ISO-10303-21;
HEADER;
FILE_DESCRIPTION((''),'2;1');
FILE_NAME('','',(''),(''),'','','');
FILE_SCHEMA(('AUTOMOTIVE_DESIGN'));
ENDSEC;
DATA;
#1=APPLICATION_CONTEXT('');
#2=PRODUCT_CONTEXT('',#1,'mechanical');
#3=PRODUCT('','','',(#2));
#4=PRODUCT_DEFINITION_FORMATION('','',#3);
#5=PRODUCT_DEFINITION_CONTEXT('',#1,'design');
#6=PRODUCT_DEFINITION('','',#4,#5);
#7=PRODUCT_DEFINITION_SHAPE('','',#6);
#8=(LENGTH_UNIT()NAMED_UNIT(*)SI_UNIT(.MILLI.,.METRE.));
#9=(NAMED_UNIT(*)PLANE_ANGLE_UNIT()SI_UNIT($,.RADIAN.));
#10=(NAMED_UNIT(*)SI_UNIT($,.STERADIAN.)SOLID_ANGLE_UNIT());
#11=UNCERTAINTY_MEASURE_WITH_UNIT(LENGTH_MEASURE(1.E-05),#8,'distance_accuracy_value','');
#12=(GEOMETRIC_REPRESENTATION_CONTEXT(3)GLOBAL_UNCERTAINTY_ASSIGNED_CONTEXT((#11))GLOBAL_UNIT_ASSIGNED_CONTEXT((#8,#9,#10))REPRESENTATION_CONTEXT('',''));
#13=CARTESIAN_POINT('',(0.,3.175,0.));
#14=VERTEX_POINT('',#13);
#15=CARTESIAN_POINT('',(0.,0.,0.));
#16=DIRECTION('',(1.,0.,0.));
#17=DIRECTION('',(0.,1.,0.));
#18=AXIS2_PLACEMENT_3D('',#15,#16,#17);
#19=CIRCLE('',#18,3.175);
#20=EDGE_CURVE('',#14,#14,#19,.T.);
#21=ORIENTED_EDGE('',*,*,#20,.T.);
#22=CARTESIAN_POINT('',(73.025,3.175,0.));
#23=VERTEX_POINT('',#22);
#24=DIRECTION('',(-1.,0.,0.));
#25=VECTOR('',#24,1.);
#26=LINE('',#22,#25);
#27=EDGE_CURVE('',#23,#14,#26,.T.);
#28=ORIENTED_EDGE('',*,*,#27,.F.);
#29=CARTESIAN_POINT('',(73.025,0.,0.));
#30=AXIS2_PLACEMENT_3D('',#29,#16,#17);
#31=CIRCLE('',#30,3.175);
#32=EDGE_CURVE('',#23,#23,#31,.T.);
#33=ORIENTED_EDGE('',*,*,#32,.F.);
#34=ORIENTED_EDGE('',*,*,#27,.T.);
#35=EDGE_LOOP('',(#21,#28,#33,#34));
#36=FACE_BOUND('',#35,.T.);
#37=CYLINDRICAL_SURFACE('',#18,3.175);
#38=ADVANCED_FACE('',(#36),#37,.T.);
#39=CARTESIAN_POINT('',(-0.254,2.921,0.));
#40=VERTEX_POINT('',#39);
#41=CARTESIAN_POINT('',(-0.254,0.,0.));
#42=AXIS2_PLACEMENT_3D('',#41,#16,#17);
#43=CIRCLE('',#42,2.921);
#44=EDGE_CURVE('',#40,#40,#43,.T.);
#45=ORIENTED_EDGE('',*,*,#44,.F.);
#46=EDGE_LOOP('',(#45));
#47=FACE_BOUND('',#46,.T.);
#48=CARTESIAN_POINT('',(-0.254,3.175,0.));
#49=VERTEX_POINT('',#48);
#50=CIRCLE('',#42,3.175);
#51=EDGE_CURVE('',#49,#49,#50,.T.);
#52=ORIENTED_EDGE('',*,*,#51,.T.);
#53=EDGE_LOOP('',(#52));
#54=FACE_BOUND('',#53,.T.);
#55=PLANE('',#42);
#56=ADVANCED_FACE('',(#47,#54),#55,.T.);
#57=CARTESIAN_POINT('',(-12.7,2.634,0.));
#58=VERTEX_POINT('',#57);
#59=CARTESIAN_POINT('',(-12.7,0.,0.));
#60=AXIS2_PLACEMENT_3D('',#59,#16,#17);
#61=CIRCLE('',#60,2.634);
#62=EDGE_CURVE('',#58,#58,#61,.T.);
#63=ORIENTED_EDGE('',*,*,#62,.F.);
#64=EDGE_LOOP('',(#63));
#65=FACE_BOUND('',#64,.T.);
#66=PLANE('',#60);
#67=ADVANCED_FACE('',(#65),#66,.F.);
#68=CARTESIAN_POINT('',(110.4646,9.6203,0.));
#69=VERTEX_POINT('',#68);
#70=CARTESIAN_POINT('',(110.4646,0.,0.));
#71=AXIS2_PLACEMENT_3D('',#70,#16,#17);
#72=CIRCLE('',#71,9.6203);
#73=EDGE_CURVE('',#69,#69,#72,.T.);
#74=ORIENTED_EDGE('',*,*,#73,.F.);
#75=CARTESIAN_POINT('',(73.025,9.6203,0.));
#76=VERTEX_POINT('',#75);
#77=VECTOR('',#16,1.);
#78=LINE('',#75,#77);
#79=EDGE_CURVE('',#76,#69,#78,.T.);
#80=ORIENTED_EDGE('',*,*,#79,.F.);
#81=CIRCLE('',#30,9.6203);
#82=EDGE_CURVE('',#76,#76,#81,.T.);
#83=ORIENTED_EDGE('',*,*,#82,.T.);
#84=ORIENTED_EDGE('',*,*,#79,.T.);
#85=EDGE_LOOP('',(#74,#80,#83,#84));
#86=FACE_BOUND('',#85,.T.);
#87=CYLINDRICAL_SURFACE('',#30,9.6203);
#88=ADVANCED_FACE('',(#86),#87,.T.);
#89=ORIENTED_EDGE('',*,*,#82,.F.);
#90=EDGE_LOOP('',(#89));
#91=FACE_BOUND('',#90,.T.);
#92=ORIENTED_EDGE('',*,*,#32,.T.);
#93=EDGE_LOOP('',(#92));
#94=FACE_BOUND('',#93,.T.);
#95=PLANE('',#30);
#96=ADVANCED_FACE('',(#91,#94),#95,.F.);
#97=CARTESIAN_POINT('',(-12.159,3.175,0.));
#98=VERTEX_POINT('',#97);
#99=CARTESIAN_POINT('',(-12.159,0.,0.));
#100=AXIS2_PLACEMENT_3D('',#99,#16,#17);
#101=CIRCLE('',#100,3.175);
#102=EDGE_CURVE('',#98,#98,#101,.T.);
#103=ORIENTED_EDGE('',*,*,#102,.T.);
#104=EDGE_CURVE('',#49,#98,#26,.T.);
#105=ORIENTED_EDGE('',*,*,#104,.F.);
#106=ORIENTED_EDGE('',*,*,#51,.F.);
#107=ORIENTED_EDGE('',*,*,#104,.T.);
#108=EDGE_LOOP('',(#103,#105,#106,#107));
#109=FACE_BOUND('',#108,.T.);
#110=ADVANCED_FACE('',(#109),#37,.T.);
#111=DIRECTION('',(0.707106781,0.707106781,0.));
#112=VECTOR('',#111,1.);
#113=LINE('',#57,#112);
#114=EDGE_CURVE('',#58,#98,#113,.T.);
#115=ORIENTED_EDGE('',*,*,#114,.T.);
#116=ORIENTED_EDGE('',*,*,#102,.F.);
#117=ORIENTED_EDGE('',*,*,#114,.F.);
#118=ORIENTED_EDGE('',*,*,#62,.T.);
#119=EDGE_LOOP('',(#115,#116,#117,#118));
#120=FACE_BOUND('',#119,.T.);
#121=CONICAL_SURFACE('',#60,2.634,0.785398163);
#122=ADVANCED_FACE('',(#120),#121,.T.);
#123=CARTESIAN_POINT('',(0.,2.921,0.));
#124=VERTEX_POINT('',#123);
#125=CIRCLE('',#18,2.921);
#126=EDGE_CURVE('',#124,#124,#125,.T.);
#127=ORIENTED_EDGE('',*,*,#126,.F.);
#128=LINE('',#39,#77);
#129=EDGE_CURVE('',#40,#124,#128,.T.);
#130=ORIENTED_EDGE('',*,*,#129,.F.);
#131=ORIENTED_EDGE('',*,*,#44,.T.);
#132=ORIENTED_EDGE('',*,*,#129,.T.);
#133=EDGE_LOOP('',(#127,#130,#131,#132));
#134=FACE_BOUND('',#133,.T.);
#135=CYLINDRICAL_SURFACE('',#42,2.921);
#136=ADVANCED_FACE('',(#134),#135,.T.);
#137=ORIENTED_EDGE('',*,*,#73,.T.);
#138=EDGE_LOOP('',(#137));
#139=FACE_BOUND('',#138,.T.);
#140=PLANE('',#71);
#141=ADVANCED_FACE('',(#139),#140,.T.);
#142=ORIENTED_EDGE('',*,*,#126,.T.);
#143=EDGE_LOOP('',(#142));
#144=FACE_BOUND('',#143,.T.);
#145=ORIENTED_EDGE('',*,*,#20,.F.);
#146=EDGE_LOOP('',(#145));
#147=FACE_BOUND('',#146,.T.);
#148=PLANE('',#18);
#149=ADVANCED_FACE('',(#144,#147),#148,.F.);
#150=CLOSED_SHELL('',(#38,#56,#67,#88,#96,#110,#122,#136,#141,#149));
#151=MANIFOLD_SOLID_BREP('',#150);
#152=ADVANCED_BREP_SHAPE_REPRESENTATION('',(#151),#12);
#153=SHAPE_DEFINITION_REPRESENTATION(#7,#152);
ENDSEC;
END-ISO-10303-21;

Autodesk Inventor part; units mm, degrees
sketch "Sketch_1" plane through (0, 0, 0) normal (0, 0, 1) x (1, 0, 0)
  line L0 (110.4646, 0) -> (0, 0)
  line L1 (0, 0) -> (0, 3.175)
  line L2 (0, 3.175) -> (73.025, 3.175)
  line L3 (73.025, 3.175) -> (73.025, 9.6203)
  line L4 (73.025, 9.6203) -> (110.4646, 9.6203)
  line L5 (110.4646, 9.6203) -> (110.4646, 0)
  line L6 (110.4646, 0) -> (0, 0)
revolve "Revolution1" add sketch "Sketch_1" angle 360 about axis through (110.4646, 0, 0) along (1, 0, 0)
sketch "Sketch_3" plane through (0, 0, 0) normal (0, 0, 1) x (1, 0, 0)
  line L0 (0, 0) -> (-12.7, 0)
  line L1 (-12.7, 0) -> (-12.7, 2.634)
  line L2 (-12.7, 2.634) -> (-12.159, 3.175)
  line L3 (-12.159, 3.175) -> (0, 3.175)
  line L4 (0, 3.175) -> (0, 0)
  line L5 (0, 0) -> (-12.7, 0)
revolve "Revolution2" add sketch "Sketch_3" angle 360 about axis through (0, 0, 0) along (1, 0, 0)
sketch "Sketch_30" plane through (0, 0, 0) normal (0, 0, 1) x (1, 0, 0)
  line L0 (0, 0) -> (-0.254, 0)
  line L1 (-0.254, 3.429) -> (-0.254, 2.921)
  line L2 (-0.254, 2.921) -> (0, 2.921)
  line L3 (0, 2.921) -> (0, 3.429)
  line L4 (0, 3.429) -> (-0.254, 3.429)
revolve "Revolution3" cut sketch "Sketch_30" angle 360 about axis through (0, 0, 0) along (1, 0, 0)
ref_plane "rod_cp_XY" through (0, 0, 0) normal (1, 0, 0) x (0, 0, -1)
ref_plane "rod_cp_YZ" through (0, 0, 0) normal (0, 0, -1) x (0, 1, 0)
ref_plane "rod_cp_ZX" through (0, 0, 0) normal (0, 1, 0) x (1, 0, 0)
ref_plane "to_rod_clevis_XY" through (-12.7, 0, 0) normal (1, 0, 0) x (0, 0, -1)
ref_plane "to_rod_clevis_YZ" through (-12.7, 0, 0) normal (0, 0, -1) x (0, 1, 0)
ref_plane "to_rod_clevis_ZX" through (-12.7, 0, 0) normal (0, 1, 0) x (1, 0, 0)
ref_plane "rl2_XY" through (0, 0, 0) normal (1, 0, 0) x (0, 0, -1)
ref_plane "rl2_YZ" through (0, 0, 0) normal (0, 0, -1) x (0, 1, 0)
ref_plane "rl2_ZX" through (0, 0, 0) normal (0, 1, 0) x (1, 0, 0)
ref_plane "rl1_XY" through (-12.7, 0, 0) normal (1, 0, 0) x (0, 0, -1)
ref_plane "rl1_YZ" through (-12.7, 0, 0) normal (0, 0, -1) x (0, 1, 0)
ref_plane "rl1_ZX" through (-12.7, 0, 0) normal (0, 1, 0) x (1, 0, 0)
ref_plane "thd1_XY" through (-12.7, 3.175, 0) normal (1, 0, 0) x (0, 0, -1)
ref_plane "thd1_YZ" through (-12.7, 3.175, 0) normal (0, 0, -1) x (0, 1, 0)
ref_plane "thd1_ZX" through (-12.7, 3.175, 0) normal (0, 1, 0) x (1, 0, 0)
ref_plane "thd2_XY" through (-12.7, -3.175, 0) normal (1, 0, 0) x (0, 0, -1)
ref_plane "thd2_YZ" through (-12.7, -3.175, 0) normal (0, 0, -1) x (0, 1, 0)
ref_plane "thd2_ZX" through (-12.7, -3.175, 0) normal (0, 1, 0) x (1, 0, 0)
ref_plane "dia1_XY" through (0, 3.175, 0) normal (1, 0, 0) x (0, 0, -1)
ref_plane "dia1_YZ" through (0, 3.175, 0) normal (0, 0, -1) x (0, 1, 0)
ref_plane "dia1_ZX" through (0, 3.175, 0) normal (0, 1, 0) x (1, 0, 0)
ref_plane "dia2_XY" through (0, -3.175, 0) normal (1, 0, 0) x (0, 0, -1)
ref_plane "dia2_YZ" through (0, -3.175, 0) normal (0, 0, -1) x (0, 1, 0)
ref_plane "dia2_ZX" through (0, -3.175, 0) normal (0, 1, 0) x (1, 0, 0)
ref_plane "dia12_XY" through (0, 0, 10.2235) normal (1, 0, 0) x (0, 0, -1)
ref_plane "dia12_YZ" through (0, 0, 10.2235) normal (0, 0, -1) x (0, 1, 0)
ref_plane "dia12_ZX" through (0, 0, 10.2235) normal (0, 1, 0) x (1, 0, 0)
ref_plane "dia22_XY" through (0, 0, -10.2235) normal (1, 0, 0) x (0, 0, -1)
ref_plane "dia22_YZ" through (0, 0, -10.2235) normal (0, 0, -1) x (0, 1, 0)
ref_plane "dia22_ZX" through (0, 0, -10.2235) normal (0, 1, 0) x (1, 0, 0)
properties part number "0420_rod"
